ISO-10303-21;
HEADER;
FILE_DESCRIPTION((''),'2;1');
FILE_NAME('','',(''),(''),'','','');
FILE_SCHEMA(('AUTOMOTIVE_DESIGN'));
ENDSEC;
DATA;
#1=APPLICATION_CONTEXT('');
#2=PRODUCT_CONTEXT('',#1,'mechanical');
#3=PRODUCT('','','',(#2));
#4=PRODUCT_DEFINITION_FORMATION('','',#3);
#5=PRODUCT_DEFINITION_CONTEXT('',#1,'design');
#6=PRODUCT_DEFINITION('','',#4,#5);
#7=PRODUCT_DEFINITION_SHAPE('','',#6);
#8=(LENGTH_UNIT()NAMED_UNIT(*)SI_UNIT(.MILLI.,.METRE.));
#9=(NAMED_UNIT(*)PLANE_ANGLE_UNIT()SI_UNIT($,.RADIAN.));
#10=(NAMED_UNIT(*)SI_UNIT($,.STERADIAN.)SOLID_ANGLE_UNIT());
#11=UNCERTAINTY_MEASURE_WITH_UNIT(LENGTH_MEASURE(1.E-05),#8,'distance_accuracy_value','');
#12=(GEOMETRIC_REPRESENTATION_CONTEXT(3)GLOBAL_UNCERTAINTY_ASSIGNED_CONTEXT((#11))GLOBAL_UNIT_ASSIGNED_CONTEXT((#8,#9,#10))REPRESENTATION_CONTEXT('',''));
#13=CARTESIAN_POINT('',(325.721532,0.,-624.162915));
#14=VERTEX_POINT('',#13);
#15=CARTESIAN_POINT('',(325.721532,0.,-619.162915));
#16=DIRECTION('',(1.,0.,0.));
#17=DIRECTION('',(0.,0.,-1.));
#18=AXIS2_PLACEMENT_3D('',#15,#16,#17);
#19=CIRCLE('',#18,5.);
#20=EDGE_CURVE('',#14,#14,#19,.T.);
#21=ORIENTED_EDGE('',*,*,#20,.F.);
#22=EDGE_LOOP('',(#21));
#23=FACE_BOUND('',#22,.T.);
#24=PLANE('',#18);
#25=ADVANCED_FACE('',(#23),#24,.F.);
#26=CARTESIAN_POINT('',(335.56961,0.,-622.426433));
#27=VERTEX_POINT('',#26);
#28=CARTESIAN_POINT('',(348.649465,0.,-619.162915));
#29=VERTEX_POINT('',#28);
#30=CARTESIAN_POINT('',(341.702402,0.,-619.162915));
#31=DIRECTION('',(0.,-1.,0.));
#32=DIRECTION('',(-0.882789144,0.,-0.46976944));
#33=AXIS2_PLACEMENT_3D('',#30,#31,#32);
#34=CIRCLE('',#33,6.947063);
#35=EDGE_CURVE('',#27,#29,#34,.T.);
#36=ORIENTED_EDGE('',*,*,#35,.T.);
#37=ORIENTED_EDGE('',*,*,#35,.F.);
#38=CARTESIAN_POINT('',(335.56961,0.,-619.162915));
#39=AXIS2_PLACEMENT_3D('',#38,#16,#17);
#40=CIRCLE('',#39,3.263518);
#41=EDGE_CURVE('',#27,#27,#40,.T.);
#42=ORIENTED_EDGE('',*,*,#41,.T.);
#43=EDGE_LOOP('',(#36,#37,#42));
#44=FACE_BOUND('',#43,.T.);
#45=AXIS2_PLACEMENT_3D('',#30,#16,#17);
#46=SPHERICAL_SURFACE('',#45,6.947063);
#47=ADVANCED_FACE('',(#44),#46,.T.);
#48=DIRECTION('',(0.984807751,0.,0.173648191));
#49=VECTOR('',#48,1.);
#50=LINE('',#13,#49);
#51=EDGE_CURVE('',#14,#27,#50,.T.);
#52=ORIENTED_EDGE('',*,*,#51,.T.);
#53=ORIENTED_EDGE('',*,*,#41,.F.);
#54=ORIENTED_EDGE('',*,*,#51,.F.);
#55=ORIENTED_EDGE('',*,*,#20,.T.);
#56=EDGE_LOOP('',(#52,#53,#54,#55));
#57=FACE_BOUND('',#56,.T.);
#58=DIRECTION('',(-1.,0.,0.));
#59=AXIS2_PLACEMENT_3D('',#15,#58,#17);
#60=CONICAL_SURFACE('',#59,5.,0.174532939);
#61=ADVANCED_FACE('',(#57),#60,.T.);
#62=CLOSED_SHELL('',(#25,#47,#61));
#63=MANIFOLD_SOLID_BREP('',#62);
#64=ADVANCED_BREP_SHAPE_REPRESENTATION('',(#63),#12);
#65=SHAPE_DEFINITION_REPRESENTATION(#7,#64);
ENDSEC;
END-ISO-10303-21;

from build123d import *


with BuildPart() as f1:
    # F0 (on Front) → F1 (revolve)
    with BuildSketch(Plane.XZ):
        with BuildLine():
            Line((325.721532, -619.162915), (325.721532, -624.162915))
            Line((325.721532, -624.162915), (335.56961, -622.426433))
            ThreePointArc((335.56961, -622.426433), (334.961979, -620.844699), (334.755338, -619.162915))
            Line((334.755338, -619.162915), (325.721532, -619.162915))
        make_face()
        with BuildLine():
            ThreePointArc((334.755338, -619.162915), (334.961979, -620.844699), (335.56961, -622.426433))
            ThreePointArc((335.56961, -622.426433), (343.384186, -625.903337), (348.649465, -619.162915))
            Line((348.649465, -619.162915), (334.755338, -619.162915))
        make_face()
    revolve(axis=Axis((337.185499, 0, -619.162915), (1, 0, 0)))


solid = f1.part
